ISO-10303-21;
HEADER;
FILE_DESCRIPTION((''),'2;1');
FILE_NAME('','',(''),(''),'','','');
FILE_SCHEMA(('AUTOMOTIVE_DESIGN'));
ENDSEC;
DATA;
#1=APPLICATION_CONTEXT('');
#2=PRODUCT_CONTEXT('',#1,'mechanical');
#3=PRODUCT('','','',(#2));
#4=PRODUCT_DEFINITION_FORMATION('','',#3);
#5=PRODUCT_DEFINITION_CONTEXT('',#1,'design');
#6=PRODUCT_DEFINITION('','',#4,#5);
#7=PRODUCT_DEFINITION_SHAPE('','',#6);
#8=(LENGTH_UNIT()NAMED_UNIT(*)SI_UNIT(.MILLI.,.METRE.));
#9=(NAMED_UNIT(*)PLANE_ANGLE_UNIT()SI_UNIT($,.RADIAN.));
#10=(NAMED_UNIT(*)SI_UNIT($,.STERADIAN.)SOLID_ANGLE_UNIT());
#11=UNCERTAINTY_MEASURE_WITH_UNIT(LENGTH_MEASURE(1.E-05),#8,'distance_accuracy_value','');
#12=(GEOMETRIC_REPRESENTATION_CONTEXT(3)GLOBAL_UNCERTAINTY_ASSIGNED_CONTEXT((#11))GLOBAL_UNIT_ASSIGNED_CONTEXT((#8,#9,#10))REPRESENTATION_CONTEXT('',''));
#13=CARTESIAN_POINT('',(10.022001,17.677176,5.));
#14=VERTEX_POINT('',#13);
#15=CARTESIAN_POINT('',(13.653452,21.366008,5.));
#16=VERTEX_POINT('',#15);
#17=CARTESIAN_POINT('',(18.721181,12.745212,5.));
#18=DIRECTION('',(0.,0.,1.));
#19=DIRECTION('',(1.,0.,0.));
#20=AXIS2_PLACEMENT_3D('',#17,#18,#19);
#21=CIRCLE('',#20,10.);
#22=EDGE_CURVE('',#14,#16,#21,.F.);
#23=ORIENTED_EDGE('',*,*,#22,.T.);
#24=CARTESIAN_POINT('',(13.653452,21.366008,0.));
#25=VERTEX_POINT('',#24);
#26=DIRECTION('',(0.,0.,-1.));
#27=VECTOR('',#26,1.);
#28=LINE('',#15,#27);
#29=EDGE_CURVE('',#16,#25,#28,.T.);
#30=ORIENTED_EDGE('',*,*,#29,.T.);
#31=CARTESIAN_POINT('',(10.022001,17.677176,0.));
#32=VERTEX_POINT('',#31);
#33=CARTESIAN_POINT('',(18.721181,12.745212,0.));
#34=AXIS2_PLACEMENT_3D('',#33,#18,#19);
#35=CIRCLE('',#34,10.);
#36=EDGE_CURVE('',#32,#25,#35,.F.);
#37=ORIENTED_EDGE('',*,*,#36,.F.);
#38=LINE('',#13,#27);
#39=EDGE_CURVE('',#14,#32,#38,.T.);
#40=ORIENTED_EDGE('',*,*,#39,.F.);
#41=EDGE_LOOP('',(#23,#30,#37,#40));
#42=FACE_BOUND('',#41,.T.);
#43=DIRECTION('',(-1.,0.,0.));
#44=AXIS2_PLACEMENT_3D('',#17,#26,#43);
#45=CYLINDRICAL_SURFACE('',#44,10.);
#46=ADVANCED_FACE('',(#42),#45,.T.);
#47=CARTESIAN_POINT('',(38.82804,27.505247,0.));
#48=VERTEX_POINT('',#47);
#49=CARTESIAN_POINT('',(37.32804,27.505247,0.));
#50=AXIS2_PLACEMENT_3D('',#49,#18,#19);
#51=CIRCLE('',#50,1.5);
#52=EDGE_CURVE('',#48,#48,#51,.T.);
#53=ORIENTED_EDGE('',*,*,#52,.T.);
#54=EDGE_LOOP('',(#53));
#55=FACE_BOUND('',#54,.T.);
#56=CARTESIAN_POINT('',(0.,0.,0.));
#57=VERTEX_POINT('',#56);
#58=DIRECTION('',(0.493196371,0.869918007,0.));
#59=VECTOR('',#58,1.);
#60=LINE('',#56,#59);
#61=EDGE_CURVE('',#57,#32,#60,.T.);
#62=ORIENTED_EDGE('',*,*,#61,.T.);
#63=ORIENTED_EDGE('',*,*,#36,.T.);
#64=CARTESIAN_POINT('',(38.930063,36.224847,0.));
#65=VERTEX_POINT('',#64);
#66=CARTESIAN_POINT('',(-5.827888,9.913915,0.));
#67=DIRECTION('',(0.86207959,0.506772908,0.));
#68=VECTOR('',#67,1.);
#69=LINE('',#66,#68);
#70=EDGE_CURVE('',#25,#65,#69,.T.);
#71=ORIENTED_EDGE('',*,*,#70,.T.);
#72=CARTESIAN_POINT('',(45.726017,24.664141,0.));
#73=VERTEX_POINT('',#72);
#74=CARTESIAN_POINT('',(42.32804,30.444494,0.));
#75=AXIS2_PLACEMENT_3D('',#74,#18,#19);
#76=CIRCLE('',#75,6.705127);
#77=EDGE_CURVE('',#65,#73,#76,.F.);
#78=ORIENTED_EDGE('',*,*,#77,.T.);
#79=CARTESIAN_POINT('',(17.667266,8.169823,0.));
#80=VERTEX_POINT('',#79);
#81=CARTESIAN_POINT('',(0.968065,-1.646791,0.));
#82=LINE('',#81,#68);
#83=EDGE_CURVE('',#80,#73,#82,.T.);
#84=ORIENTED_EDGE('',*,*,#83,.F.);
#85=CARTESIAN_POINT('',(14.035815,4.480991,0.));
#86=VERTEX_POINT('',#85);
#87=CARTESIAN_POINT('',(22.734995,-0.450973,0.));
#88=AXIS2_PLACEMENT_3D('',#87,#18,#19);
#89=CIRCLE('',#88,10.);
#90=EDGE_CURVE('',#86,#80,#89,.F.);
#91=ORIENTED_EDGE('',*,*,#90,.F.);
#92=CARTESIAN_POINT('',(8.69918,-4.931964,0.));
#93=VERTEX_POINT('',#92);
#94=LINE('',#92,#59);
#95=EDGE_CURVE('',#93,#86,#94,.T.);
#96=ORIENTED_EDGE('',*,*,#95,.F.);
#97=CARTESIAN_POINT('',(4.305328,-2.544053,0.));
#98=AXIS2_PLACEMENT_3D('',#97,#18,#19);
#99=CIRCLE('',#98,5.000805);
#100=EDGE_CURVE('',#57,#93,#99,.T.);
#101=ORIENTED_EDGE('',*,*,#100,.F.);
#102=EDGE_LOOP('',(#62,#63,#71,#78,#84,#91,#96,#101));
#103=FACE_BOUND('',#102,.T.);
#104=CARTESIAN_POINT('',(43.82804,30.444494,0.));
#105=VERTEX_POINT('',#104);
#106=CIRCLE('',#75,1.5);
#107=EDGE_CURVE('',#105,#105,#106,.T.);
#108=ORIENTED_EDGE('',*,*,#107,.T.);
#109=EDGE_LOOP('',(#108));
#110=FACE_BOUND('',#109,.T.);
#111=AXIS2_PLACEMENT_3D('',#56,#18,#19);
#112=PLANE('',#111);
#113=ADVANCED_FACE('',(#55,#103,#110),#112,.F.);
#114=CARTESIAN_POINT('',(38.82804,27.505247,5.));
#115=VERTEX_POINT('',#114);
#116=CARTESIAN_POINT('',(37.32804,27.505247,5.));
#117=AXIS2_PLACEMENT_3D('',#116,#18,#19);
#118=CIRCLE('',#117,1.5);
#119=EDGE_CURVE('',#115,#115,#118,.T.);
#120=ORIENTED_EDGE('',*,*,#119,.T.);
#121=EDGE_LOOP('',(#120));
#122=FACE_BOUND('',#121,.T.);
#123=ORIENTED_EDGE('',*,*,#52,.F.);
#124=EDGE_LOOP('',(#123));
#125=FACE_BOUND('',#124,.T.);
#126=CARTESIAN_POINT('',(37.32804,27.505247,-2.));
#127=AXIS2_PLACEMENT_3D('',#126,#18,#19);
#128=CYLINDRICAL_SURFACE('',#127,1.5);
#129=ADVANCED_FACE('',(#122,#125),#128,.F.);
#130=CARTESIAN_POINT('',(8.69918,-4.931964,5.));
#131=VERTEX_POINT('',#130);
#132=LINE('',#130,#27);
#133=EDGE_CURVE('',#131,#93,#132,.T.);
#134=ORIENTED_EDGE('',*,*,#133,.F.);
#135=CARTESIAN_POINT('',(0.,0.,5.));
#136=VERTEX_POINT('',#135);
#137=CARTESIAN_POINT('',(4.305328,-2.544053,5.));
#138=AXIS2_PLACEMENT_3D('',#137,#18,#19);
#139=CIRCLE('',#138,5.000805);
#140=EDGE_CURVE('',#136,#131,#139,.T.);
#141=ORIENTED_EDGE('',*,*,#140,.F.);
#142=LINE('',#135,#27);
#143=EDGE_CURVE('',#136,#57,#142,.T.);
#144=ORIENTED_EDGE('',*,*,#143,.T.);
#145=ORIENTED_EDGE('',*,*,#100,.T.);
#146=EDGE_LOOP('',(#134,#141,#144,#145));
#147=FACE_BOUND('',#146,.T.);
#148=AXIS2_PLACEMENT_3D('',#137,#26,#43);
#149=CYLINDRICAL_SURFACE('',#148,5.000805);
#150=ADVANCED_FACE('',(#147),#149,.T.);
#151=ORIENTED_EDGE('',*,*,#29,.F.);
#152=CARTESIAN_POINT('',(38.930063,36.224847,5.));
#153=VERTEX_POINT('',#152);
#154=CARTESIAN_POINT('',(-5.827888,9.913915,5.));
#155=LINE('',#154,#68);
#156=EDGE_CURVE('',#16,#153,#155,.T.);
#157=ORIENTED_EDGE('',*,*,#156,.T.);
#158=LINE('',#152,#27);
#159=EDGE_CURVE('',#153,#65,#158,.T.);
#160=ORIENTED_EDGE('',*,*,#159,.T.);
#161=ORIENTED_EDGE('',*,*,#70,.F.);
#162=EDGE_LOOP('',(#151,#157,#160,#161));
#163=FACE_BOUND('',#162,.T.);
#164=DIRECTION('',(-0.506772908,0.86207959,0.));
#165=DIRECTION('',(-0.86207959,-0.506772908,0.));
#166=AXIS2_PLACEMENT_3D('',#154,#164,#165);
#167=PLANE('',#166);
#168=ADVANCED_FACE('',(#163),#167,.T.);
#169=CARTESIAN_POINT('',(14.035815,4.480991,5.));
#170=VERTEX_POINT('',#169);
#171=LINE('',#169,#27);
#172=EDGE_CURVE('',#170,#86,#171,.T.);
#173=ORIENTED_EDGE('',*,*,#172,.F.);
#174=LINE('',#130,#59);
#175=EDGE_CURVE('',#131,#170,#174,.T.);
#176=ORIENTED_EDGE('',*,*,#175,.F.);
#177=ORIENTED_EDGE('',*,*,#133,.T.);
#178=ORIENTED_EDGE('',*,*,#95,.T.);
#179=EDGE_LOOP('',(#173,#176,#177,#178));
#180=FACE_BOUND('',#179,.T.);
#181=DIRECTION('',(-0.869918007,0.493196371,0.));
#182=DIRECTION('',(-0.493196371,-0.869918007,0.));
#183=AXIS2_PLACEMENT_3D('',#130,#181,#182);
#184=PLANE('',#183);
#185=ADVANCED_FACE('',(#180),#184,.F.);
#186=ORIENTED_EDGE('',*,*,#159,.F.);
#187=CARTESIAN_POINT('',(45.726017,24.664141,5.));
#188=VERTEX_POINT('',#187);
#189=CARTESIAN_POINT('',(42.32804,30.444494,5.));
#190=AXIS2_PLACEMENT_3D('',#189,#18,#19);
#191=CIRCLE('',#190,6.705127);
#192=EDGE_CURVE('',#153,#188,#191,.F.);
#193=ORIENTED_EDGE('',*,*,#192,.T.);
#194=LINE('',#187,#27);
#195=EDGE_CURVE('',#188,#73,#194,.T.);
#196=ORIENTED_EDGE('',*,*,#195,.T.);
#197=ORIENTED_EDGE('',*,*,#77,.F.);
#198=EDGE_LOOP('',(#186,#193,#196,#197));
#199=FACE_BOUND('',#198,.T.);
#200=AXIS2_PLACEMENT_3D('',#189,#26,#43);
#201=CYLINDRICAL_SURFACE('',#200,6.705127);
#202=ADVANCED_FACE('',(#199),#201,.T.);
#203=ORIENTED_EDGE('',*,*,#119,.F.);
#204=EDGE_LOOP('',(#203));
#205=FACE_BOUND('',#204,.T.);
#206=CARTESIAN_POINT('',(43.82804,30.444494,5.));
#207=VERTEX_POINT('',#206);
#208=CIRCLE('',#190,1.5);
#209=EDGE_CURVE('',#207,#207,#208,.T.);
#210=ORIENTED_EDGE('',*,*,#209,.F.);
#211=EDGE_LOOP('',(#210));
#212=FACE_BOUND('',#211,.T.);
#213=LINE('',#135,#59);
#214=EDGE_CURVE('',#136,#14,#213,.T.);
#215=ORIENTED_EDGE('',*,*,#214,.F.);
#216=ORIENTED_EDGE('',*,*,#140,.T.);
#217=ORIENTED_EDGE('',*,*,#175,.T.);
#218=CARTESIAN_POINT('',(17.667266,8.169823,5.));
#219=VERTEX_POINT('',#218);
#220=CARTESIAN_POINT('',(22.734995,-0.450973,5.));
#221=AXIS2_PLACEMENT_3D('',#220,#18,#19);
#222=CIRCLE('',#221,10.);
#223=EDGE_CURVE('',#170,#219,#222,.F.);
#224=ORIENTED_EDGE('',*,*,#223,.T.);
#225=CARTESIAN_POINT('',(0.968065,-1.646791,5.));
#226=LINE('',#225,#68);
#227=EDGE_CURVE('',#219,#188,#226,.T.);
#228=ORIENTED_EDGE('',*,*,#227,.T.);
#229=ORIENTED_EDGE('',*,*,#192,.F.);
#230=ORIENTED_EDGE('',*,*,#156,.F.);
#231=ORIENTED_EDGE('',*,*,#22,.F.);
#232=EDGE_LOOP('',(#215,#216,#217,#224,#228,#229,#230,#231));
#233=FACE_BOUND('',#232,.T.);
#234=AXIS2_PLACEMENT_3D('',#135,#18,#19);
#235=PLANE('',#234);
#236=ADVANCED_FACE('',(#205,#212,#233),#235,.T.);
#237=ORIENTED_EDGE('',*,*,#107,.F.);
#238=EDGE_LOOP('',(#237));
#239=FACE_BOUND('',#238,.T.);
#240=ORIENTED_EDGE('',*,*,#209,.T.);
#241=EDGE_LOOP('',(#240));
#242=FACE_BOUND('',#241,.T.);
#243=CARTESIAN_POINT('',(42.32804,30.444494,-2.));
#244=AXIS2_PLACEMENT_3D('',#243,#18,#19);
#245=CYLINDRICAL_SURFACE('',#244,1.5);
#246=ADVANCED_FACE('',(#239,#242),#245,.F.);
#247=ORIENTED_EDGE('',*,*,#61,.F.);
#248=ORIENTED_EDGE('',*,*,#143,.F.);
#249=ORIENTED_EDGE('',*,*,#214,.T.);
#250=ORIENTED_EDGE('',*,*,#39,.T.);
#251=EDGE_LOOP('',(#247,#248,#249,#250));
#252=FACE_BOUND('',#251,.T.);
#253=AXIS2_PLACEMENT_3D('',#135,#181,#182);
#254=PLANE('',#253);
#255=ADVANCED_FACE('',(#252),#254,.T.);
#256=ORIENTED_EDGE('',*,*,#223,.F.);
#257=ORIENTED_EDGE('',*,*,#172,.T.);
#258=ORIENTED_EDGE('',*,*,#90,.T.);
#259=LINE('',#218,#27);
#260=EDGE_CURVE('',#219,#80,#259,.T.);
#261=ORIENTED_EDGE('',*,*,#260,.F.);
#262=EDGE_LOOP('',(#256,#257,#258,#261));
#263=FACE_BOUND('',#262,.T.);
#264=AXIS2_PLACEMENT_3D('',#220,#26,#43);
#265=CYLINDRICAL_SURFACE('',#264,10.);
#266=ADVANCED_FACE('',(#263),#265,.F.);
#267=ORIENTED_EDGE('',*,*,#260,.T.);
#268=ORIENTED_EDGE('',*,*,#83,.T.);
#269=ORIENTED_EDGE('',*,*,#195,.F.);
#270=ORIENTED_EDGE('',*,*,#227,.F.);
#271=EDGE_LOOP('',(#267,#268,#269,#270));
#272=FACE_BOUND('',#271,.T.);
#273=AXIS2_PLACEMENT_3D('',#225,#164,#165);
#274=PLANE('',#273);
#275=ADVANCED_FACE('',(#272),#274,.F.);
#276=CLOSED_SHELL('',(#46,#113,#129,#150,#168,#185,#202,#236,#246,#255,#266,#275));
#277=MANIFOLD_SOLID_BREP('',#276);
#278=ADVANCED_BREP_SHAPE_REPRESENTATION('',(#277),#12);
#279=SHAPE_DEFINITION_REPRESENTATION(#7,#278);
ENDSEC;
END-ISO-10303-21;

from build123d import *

# Parameters (mm, degrees)
BOSS_EXTRUDE1_DEPTH = 5
SKETCH4_R           = 1.5
CUT_EXTRUDE1_DEPTH  = 7


with BuildPart() as part:
    # Sketch3 → Boss-Extrude1 (new body)
    with BuildSketch(Plane.XY):
        with BuildLine():
            Line((0, 0), (10.022000848, 17.677175891))
            ThreePointArc((10.022000848, 17.677175891), (11.594904359, 19.760636782), (13.653451842, 21.366008079))
            Line((13.653451842, 21.366008079), (38.93006343, 36.224847214))
            ThreePointArc((38.93006343, 36.224847214), (48.1083933, 33.842470777), (45.726016863, 24.664140908))
            Line((45.726016863, 24.664140908), (17.667266386, 8.169823297))
            ThreePointArc((17.667266386, 8.169823297), (15.608718903, 6.564451999), (14.035815391, 4.480991108))
            Line((14.035815391, 4.480991108), (8.699180072, -4.931963714))
            ThreePointArc((8.699180072, -4.931963714), (1.838948591, -6.894344126), (0, 0))
        make_face()
    extrude(amount=BOSS_EXTRUDE1_DEPTH)

    # Sketch4 → Cut-Extrude1 (cut)
    with BuildSketch(Plane.XY.offset(5)):
        with Locations((42.328040147, 30.444494061)):
            Circle(SKETCH4_R)
        with Locations((37.328040147, 27.505247421)):
            Circle(SKETCH4_R)
    extrude(amount=-CUT_EXTRUDE1_DEPTH, mode=Mode.SUBTRACT)


solid = part.part
